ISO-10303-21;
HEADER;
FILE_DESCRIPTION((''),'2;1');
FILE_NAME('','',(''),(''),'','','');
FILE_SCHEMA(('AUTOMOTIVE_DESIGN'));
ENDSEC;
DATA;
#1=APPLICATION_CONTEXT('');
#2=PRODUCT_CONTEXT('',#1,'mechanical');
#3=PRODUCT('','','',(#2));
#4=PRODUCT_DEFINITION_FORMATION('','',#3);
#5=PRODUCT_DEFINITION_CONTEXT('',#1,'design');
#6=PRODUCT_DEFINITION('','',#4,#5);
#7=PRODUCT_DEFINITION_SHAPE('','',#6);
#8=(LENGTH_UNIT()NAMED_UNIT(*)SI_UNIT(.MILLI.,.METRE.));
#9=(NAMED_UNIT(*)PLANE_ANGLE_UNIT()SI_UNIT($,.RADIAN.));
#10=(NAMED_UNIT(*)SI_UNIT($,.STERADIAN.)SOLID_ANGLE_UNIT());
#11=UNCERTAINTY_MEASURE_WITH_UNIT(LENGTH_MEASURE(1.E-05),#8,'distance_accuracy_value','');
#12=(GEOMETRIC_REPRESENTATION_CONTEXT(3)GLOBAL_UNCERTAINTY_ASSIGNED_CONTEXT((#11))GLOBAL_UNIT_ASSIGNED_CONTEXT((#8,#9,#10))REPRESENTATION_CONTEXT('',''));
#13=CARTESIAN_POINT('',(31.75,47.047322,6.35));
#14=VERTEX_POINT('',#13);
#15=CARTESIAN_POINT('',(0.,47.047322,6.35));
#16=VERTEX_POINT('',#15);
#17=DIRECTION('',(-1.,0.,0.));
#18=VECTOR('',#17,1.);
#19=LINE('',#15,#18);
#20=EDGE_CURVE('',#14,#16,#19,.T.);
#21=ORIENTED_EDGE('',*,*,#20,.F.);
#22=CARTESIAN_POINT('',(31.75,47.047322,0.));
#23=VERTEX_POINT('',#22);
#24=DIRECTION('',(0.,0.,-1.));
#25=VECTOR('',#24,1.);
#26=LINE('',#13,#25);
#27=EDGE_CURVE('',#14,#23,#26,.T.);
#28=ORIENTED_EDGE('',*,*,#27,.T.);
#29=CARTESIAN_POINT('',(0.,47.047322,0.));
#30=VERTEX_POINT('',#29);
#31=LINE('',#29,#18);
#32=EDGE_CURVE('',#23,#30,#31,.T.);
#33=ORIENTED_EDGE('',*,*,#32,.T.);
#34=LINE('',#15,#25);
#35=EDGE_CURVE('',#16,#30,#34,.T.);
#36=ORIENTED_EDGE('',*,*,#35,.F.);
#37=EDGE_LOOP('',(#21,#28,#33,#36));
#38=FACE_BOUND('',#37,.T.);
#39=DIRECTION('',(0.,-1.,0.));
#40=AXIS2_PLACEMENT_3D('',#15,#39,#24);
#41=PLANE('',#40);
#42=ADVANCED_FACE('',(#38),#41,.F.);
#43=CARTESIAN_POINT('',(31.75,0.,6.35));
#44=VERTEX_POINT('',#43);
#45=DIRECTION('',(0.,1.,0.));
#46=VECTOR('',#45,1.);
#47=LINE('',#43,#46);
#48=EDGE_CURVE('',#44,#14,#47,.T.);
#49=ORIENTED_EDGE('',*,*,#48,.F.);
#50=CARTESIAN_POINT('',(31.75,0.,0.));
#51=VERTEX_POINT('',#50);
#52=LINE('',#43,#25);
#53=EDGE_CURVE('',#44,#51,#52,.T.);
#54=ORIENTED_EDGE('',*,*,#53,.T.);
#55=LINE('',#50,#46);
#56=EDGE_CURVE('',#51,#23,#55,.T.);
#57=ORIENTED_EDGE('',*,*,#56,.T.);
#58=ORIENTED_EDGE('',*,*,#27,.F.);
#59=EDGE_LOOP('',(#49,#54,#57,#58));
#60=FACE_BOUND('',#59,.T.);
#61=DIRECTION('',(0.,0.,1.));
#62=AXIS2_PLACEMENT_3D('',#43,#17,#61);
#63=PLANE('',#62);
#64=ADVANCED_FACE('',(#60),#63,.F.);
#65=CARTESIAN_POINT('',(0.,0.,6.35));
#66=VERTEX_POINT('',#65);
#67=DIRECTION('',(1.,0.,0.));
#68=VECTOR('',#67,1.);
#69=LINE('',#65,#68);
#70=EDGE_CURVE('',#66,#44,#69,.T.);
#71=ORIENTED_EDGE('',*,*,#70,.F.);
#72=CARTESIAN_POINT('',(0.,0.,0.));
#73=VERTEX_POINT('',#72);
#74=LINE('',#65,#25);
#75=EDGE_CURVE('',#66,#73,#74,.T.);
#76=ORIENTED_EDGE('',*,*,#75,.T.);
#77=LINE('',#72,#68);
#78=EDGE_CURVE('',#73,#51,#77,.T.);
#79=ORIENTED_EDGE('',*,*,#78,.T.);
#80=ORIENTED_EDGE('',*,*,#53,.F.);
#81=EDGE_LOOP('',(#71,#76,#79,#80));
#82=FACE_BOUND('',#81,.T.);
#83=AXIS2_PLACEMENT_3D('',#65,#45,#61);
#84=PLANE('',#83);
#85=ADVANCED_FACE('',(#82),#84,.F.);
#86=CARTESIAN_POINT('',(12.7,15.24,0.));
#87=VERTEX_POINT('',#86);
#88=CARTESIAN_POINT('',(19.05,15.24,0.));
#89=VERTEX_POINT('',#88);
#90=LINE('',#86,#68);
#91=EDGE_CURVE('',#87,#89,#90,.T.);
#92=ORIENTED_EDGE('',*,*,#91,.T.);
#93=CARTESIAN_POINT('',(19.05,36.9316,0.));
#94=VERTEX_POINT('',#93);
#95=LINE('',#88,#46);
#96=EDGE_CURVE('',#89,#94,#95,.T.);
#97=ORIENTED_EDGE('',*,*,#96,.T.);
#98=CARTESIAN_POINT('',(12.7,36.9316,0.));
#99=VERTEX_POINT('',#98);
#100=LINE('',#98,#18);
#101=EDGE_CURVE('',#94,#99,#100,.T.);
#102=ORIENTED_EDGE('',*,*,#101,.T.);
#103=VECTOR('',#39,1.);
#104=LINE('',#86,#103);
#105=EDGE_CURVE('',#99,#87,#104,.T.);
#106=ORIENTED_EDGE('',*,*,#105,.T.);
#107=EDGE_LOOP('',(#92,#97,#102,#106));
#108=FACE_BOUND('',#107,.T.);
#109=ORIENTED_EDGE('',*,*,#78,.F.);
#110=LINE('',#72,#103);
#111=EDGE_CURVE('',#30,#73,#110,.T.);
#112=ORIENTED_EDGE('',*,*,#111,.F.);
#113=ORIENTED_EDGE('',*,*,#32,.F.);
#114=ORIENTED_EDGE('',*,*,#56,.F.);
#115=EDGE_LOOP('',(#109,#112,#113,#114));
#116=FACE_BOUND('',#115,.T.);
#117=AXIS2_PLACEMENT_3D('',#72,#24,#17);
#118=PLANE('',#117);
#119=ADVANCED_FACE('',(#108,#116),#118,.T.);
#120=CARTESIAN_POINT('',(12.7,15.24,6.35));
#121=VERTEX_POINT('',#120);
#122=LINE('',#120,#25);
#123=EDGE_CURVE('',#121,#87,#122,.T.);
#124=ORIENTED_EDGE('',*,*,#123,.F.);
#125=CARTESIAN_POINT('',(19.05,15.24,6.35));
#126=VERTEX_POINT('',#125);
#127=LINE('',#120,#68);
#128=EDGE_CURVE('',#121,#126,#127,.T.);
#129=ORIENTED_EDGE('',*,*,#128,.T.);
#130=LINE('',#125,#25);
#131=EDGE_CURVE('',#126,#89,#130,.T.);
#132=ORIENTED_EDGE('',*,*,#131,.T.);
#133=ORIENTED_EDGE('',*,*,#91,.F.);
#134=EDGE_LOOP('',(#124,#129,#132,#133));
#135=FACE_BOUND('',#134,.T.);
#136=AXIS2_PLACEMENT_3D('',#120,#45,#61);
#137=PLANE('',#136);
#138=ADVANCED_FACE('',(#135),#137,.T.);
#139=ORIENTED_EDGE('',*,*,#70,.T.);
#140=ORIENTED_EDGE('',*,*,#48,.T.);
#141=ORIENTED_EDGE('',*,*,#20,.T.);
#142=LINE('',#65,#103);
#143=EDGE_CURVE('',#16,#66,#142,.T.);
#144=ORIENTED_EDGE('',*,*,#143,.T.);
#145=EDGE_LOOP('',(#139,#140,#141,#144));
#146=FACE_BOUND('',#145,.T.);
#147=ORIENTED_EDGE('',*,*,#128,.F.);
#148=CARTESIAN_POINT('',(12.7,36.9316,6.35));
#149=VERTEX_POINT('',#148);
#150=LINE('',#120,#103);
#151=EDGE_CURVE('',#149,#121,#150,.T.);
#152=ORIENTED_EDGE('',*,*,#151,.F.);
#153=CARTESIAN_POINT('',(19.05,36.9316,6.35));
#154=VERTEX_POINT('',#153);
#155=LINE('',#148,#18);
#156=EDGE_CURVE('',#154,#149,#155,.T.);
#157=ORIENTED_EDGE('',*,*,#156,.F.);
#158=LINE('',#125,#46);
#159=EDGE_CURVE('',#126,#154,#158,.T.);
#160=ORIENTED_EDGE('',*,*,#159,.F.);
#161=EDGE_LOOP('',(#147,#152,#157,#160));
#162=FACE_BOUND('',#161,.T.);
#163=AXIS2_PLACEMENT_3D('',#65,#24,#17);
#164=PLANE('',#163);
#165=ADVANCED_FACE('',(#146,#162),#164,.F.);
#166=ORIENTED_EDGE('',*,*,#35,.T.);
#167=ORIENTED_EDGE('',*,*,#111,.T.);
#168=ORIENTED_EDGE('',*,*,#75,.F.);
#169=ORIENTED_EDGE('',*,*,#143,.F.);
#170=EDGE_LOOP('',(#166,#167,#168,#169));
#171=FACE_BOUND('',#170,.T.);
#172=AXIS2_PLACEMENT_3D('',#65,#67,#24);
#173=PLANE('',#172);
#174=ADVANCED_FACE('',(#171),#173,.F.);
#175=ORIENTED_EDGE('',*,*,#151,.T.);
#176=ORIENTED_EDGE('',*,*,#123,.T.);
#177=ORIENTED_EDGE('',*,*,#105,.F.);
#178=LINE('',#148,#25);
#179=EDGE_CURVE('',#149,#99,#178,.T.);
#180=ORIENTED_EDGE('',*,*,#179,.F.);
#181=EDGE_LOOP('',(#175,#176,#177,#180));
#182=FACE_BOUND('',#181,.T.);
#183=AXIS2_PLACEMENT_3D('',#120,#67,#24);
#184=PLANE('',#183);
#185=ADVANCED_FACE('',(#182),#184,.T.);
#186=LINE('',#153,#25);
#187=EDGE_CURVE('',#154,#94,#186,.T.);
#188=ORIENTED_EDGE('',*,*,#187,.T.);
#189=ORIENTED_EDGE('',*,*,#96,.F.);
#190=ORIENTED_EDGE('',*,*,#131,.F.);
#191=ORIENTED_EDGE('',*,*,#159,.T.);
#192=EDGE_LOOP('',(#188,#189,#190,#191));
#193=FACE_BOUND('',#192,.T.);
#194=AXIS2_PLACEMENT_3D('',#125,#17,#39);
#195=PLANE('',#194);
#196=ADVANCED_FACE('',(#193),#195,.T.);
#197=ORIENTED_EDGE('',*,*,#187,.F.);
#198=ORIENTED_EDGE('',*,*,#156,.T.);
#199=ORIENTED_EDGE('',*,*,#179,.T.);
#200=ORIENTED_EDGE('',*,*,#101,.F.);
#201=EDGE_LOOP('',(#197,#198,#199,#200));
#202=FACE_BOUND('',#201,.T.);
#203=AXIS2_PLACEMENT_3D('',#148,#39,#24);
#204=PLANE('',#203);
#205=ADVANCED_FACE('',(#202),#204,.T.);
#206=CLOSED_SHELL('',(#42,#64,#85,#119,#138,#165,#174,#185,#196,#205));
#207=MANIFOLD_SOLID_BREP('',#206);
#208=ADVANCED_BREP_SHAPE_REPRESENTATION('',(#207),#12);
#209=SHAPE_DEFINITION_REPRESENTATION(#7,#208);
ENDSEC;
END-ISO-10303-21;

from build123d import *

# Parameters (mm, degrees)
SKETCH1_W           = 31.75
SKETCH1_H           = 47.047321622
SKETCH1_W_2         = 6.35
SKETCH1_H_2         = 21.6916
BOSS_EXTRUDE1_DEPTH = 6.35


with BuildPart() as part:
    # Sketch1 → Boss-Extrude1 (new body)
    with BuildSketch(Plane.XY):
        with Locations((15.875, 23.523660811)):
            Rectangle(SKETCH1_W, SKETCH1_H)
        with Locations((15.875, 26.0858)):
            Rectangle(SKETCH1_W_2, SKETCH1_H_2, mode=Mode.SUBTRACT)
    extrude(amount=BOSS_EXTRUDE1_DEPTH)


solid = part.part
